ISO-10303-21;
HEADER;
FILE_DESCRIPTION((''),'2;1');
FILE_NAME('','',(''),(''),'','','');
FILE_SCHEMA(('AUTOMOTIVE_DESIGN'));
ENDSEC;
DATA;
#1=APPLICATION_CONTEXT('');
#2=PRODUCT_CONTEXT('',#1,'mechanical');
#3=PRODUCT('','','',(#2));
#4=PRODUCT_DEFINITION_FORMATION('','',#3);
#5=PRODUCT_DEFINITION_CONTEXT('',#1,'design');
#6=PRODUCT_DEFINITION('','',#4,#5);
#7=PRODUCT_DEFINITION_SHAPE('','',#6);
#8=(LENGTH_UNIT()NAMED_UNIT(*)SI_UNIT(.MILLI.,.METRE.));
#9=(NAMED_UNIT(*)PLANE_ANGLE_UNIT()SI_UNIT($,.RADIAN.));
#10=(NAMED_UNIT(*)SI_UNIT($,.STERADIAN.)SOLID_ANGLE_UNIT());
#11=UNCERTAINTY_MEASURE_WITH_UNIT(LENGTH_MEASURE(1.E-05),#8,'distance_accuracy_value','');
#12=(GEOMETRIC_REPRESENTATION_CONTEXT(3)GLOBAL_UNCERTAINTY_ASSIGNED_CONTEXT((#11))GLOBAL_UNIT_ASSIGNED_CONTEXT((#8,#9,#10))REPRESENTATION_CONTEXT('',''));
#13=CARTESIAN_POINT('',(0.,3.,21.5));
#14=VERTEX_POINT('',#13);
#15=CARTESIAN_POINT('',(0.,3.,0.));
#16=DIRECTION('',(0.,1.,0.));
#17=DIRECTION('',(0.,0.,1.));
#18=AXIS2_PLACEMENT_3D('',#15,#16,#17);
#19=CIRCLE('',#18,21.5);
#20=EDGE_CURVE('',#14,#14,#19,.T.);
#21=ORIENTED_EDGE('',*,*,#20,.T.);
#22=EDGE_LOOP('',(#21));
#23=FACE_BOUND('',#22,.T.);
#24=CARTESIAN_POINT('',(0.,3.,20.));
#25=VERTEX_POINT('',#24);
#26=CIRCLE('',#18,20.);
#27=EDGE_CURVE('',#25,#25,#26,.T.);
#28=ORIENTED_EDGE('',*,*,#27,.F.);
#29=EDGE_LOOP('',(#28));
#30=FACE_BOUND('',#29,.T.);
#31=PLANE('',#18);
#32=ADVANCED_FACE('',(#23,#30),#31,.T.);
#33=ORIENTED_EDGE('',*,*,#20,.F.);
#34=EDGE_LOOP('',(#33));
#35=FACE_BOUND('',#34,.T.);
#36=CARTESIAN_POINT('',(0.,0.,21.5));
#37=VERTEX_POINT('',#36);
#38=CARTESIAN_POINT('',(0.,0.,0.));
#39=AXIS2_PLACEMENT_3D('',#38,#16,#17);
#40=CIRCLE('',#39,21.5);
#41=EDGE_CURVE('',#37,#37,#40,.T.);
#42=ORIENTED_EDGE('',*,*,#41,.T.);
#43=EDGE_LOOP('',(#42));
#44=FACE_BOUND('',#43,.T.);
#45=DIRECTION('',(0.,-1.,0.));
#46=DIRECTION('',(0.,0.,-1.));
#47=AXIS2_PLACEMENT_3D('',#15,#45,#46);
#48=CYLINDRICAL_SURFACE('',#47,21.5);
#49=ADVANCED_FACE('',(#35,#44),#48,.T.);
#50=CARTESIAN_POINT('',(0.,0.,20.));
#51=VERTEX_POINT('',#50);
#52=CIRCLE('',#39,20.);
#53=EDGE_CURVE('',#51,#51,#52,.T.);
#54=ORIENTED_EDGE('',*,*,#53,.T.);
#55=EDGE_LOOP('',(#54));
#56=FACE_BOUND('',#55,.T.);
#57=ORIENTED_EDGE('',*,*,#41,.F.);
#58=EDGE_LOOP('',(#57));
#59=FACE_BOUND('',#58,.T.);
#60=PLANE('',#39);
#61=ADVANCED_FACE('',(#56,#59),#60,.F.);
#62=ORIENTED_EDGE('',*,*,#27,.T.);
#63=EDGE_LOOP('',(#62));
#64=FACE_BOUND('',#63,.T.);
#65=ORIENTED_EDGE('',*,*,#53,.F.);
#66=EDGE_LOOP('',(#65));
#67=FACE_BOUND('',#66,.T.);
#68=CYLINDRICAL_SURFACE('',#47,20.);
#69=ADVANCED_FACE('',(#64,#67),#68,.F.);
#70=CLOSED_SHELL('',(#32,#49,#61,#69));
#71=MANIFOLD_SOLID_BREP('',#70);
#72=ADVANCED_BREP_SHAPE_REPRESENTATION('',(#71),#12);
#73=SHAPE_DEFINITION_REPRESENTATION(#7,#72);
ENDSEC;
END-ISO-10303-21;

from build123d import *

# Parameters (mm, degrees)
SKETCH_1_R      = 21.5
SKETCH_1_R_2    = 20
EXTRUDE_1_DEPTH = 3


with BuildPart() as part:
    # Эскиз1 → Бобышка-Вытянуть1 (new body)
    with BuildSketch(Plane(origin=(0, 0, 0), x_dir=(1, 0, 0), z_dir=(0, 1, 0))):
        with Locations(Location((0, 0, 0), (0, 0, 270))):
            Circle(SKETCH_1_R)
        with Locations(Location((0, 0, 0), (0, 0, 270))):
            Circle(SKETCH_1_R_2, mode=Mode.SUBTRACT)
    extrude(amount=EXTRUDE_1_DEPTH)


solid = part.part
